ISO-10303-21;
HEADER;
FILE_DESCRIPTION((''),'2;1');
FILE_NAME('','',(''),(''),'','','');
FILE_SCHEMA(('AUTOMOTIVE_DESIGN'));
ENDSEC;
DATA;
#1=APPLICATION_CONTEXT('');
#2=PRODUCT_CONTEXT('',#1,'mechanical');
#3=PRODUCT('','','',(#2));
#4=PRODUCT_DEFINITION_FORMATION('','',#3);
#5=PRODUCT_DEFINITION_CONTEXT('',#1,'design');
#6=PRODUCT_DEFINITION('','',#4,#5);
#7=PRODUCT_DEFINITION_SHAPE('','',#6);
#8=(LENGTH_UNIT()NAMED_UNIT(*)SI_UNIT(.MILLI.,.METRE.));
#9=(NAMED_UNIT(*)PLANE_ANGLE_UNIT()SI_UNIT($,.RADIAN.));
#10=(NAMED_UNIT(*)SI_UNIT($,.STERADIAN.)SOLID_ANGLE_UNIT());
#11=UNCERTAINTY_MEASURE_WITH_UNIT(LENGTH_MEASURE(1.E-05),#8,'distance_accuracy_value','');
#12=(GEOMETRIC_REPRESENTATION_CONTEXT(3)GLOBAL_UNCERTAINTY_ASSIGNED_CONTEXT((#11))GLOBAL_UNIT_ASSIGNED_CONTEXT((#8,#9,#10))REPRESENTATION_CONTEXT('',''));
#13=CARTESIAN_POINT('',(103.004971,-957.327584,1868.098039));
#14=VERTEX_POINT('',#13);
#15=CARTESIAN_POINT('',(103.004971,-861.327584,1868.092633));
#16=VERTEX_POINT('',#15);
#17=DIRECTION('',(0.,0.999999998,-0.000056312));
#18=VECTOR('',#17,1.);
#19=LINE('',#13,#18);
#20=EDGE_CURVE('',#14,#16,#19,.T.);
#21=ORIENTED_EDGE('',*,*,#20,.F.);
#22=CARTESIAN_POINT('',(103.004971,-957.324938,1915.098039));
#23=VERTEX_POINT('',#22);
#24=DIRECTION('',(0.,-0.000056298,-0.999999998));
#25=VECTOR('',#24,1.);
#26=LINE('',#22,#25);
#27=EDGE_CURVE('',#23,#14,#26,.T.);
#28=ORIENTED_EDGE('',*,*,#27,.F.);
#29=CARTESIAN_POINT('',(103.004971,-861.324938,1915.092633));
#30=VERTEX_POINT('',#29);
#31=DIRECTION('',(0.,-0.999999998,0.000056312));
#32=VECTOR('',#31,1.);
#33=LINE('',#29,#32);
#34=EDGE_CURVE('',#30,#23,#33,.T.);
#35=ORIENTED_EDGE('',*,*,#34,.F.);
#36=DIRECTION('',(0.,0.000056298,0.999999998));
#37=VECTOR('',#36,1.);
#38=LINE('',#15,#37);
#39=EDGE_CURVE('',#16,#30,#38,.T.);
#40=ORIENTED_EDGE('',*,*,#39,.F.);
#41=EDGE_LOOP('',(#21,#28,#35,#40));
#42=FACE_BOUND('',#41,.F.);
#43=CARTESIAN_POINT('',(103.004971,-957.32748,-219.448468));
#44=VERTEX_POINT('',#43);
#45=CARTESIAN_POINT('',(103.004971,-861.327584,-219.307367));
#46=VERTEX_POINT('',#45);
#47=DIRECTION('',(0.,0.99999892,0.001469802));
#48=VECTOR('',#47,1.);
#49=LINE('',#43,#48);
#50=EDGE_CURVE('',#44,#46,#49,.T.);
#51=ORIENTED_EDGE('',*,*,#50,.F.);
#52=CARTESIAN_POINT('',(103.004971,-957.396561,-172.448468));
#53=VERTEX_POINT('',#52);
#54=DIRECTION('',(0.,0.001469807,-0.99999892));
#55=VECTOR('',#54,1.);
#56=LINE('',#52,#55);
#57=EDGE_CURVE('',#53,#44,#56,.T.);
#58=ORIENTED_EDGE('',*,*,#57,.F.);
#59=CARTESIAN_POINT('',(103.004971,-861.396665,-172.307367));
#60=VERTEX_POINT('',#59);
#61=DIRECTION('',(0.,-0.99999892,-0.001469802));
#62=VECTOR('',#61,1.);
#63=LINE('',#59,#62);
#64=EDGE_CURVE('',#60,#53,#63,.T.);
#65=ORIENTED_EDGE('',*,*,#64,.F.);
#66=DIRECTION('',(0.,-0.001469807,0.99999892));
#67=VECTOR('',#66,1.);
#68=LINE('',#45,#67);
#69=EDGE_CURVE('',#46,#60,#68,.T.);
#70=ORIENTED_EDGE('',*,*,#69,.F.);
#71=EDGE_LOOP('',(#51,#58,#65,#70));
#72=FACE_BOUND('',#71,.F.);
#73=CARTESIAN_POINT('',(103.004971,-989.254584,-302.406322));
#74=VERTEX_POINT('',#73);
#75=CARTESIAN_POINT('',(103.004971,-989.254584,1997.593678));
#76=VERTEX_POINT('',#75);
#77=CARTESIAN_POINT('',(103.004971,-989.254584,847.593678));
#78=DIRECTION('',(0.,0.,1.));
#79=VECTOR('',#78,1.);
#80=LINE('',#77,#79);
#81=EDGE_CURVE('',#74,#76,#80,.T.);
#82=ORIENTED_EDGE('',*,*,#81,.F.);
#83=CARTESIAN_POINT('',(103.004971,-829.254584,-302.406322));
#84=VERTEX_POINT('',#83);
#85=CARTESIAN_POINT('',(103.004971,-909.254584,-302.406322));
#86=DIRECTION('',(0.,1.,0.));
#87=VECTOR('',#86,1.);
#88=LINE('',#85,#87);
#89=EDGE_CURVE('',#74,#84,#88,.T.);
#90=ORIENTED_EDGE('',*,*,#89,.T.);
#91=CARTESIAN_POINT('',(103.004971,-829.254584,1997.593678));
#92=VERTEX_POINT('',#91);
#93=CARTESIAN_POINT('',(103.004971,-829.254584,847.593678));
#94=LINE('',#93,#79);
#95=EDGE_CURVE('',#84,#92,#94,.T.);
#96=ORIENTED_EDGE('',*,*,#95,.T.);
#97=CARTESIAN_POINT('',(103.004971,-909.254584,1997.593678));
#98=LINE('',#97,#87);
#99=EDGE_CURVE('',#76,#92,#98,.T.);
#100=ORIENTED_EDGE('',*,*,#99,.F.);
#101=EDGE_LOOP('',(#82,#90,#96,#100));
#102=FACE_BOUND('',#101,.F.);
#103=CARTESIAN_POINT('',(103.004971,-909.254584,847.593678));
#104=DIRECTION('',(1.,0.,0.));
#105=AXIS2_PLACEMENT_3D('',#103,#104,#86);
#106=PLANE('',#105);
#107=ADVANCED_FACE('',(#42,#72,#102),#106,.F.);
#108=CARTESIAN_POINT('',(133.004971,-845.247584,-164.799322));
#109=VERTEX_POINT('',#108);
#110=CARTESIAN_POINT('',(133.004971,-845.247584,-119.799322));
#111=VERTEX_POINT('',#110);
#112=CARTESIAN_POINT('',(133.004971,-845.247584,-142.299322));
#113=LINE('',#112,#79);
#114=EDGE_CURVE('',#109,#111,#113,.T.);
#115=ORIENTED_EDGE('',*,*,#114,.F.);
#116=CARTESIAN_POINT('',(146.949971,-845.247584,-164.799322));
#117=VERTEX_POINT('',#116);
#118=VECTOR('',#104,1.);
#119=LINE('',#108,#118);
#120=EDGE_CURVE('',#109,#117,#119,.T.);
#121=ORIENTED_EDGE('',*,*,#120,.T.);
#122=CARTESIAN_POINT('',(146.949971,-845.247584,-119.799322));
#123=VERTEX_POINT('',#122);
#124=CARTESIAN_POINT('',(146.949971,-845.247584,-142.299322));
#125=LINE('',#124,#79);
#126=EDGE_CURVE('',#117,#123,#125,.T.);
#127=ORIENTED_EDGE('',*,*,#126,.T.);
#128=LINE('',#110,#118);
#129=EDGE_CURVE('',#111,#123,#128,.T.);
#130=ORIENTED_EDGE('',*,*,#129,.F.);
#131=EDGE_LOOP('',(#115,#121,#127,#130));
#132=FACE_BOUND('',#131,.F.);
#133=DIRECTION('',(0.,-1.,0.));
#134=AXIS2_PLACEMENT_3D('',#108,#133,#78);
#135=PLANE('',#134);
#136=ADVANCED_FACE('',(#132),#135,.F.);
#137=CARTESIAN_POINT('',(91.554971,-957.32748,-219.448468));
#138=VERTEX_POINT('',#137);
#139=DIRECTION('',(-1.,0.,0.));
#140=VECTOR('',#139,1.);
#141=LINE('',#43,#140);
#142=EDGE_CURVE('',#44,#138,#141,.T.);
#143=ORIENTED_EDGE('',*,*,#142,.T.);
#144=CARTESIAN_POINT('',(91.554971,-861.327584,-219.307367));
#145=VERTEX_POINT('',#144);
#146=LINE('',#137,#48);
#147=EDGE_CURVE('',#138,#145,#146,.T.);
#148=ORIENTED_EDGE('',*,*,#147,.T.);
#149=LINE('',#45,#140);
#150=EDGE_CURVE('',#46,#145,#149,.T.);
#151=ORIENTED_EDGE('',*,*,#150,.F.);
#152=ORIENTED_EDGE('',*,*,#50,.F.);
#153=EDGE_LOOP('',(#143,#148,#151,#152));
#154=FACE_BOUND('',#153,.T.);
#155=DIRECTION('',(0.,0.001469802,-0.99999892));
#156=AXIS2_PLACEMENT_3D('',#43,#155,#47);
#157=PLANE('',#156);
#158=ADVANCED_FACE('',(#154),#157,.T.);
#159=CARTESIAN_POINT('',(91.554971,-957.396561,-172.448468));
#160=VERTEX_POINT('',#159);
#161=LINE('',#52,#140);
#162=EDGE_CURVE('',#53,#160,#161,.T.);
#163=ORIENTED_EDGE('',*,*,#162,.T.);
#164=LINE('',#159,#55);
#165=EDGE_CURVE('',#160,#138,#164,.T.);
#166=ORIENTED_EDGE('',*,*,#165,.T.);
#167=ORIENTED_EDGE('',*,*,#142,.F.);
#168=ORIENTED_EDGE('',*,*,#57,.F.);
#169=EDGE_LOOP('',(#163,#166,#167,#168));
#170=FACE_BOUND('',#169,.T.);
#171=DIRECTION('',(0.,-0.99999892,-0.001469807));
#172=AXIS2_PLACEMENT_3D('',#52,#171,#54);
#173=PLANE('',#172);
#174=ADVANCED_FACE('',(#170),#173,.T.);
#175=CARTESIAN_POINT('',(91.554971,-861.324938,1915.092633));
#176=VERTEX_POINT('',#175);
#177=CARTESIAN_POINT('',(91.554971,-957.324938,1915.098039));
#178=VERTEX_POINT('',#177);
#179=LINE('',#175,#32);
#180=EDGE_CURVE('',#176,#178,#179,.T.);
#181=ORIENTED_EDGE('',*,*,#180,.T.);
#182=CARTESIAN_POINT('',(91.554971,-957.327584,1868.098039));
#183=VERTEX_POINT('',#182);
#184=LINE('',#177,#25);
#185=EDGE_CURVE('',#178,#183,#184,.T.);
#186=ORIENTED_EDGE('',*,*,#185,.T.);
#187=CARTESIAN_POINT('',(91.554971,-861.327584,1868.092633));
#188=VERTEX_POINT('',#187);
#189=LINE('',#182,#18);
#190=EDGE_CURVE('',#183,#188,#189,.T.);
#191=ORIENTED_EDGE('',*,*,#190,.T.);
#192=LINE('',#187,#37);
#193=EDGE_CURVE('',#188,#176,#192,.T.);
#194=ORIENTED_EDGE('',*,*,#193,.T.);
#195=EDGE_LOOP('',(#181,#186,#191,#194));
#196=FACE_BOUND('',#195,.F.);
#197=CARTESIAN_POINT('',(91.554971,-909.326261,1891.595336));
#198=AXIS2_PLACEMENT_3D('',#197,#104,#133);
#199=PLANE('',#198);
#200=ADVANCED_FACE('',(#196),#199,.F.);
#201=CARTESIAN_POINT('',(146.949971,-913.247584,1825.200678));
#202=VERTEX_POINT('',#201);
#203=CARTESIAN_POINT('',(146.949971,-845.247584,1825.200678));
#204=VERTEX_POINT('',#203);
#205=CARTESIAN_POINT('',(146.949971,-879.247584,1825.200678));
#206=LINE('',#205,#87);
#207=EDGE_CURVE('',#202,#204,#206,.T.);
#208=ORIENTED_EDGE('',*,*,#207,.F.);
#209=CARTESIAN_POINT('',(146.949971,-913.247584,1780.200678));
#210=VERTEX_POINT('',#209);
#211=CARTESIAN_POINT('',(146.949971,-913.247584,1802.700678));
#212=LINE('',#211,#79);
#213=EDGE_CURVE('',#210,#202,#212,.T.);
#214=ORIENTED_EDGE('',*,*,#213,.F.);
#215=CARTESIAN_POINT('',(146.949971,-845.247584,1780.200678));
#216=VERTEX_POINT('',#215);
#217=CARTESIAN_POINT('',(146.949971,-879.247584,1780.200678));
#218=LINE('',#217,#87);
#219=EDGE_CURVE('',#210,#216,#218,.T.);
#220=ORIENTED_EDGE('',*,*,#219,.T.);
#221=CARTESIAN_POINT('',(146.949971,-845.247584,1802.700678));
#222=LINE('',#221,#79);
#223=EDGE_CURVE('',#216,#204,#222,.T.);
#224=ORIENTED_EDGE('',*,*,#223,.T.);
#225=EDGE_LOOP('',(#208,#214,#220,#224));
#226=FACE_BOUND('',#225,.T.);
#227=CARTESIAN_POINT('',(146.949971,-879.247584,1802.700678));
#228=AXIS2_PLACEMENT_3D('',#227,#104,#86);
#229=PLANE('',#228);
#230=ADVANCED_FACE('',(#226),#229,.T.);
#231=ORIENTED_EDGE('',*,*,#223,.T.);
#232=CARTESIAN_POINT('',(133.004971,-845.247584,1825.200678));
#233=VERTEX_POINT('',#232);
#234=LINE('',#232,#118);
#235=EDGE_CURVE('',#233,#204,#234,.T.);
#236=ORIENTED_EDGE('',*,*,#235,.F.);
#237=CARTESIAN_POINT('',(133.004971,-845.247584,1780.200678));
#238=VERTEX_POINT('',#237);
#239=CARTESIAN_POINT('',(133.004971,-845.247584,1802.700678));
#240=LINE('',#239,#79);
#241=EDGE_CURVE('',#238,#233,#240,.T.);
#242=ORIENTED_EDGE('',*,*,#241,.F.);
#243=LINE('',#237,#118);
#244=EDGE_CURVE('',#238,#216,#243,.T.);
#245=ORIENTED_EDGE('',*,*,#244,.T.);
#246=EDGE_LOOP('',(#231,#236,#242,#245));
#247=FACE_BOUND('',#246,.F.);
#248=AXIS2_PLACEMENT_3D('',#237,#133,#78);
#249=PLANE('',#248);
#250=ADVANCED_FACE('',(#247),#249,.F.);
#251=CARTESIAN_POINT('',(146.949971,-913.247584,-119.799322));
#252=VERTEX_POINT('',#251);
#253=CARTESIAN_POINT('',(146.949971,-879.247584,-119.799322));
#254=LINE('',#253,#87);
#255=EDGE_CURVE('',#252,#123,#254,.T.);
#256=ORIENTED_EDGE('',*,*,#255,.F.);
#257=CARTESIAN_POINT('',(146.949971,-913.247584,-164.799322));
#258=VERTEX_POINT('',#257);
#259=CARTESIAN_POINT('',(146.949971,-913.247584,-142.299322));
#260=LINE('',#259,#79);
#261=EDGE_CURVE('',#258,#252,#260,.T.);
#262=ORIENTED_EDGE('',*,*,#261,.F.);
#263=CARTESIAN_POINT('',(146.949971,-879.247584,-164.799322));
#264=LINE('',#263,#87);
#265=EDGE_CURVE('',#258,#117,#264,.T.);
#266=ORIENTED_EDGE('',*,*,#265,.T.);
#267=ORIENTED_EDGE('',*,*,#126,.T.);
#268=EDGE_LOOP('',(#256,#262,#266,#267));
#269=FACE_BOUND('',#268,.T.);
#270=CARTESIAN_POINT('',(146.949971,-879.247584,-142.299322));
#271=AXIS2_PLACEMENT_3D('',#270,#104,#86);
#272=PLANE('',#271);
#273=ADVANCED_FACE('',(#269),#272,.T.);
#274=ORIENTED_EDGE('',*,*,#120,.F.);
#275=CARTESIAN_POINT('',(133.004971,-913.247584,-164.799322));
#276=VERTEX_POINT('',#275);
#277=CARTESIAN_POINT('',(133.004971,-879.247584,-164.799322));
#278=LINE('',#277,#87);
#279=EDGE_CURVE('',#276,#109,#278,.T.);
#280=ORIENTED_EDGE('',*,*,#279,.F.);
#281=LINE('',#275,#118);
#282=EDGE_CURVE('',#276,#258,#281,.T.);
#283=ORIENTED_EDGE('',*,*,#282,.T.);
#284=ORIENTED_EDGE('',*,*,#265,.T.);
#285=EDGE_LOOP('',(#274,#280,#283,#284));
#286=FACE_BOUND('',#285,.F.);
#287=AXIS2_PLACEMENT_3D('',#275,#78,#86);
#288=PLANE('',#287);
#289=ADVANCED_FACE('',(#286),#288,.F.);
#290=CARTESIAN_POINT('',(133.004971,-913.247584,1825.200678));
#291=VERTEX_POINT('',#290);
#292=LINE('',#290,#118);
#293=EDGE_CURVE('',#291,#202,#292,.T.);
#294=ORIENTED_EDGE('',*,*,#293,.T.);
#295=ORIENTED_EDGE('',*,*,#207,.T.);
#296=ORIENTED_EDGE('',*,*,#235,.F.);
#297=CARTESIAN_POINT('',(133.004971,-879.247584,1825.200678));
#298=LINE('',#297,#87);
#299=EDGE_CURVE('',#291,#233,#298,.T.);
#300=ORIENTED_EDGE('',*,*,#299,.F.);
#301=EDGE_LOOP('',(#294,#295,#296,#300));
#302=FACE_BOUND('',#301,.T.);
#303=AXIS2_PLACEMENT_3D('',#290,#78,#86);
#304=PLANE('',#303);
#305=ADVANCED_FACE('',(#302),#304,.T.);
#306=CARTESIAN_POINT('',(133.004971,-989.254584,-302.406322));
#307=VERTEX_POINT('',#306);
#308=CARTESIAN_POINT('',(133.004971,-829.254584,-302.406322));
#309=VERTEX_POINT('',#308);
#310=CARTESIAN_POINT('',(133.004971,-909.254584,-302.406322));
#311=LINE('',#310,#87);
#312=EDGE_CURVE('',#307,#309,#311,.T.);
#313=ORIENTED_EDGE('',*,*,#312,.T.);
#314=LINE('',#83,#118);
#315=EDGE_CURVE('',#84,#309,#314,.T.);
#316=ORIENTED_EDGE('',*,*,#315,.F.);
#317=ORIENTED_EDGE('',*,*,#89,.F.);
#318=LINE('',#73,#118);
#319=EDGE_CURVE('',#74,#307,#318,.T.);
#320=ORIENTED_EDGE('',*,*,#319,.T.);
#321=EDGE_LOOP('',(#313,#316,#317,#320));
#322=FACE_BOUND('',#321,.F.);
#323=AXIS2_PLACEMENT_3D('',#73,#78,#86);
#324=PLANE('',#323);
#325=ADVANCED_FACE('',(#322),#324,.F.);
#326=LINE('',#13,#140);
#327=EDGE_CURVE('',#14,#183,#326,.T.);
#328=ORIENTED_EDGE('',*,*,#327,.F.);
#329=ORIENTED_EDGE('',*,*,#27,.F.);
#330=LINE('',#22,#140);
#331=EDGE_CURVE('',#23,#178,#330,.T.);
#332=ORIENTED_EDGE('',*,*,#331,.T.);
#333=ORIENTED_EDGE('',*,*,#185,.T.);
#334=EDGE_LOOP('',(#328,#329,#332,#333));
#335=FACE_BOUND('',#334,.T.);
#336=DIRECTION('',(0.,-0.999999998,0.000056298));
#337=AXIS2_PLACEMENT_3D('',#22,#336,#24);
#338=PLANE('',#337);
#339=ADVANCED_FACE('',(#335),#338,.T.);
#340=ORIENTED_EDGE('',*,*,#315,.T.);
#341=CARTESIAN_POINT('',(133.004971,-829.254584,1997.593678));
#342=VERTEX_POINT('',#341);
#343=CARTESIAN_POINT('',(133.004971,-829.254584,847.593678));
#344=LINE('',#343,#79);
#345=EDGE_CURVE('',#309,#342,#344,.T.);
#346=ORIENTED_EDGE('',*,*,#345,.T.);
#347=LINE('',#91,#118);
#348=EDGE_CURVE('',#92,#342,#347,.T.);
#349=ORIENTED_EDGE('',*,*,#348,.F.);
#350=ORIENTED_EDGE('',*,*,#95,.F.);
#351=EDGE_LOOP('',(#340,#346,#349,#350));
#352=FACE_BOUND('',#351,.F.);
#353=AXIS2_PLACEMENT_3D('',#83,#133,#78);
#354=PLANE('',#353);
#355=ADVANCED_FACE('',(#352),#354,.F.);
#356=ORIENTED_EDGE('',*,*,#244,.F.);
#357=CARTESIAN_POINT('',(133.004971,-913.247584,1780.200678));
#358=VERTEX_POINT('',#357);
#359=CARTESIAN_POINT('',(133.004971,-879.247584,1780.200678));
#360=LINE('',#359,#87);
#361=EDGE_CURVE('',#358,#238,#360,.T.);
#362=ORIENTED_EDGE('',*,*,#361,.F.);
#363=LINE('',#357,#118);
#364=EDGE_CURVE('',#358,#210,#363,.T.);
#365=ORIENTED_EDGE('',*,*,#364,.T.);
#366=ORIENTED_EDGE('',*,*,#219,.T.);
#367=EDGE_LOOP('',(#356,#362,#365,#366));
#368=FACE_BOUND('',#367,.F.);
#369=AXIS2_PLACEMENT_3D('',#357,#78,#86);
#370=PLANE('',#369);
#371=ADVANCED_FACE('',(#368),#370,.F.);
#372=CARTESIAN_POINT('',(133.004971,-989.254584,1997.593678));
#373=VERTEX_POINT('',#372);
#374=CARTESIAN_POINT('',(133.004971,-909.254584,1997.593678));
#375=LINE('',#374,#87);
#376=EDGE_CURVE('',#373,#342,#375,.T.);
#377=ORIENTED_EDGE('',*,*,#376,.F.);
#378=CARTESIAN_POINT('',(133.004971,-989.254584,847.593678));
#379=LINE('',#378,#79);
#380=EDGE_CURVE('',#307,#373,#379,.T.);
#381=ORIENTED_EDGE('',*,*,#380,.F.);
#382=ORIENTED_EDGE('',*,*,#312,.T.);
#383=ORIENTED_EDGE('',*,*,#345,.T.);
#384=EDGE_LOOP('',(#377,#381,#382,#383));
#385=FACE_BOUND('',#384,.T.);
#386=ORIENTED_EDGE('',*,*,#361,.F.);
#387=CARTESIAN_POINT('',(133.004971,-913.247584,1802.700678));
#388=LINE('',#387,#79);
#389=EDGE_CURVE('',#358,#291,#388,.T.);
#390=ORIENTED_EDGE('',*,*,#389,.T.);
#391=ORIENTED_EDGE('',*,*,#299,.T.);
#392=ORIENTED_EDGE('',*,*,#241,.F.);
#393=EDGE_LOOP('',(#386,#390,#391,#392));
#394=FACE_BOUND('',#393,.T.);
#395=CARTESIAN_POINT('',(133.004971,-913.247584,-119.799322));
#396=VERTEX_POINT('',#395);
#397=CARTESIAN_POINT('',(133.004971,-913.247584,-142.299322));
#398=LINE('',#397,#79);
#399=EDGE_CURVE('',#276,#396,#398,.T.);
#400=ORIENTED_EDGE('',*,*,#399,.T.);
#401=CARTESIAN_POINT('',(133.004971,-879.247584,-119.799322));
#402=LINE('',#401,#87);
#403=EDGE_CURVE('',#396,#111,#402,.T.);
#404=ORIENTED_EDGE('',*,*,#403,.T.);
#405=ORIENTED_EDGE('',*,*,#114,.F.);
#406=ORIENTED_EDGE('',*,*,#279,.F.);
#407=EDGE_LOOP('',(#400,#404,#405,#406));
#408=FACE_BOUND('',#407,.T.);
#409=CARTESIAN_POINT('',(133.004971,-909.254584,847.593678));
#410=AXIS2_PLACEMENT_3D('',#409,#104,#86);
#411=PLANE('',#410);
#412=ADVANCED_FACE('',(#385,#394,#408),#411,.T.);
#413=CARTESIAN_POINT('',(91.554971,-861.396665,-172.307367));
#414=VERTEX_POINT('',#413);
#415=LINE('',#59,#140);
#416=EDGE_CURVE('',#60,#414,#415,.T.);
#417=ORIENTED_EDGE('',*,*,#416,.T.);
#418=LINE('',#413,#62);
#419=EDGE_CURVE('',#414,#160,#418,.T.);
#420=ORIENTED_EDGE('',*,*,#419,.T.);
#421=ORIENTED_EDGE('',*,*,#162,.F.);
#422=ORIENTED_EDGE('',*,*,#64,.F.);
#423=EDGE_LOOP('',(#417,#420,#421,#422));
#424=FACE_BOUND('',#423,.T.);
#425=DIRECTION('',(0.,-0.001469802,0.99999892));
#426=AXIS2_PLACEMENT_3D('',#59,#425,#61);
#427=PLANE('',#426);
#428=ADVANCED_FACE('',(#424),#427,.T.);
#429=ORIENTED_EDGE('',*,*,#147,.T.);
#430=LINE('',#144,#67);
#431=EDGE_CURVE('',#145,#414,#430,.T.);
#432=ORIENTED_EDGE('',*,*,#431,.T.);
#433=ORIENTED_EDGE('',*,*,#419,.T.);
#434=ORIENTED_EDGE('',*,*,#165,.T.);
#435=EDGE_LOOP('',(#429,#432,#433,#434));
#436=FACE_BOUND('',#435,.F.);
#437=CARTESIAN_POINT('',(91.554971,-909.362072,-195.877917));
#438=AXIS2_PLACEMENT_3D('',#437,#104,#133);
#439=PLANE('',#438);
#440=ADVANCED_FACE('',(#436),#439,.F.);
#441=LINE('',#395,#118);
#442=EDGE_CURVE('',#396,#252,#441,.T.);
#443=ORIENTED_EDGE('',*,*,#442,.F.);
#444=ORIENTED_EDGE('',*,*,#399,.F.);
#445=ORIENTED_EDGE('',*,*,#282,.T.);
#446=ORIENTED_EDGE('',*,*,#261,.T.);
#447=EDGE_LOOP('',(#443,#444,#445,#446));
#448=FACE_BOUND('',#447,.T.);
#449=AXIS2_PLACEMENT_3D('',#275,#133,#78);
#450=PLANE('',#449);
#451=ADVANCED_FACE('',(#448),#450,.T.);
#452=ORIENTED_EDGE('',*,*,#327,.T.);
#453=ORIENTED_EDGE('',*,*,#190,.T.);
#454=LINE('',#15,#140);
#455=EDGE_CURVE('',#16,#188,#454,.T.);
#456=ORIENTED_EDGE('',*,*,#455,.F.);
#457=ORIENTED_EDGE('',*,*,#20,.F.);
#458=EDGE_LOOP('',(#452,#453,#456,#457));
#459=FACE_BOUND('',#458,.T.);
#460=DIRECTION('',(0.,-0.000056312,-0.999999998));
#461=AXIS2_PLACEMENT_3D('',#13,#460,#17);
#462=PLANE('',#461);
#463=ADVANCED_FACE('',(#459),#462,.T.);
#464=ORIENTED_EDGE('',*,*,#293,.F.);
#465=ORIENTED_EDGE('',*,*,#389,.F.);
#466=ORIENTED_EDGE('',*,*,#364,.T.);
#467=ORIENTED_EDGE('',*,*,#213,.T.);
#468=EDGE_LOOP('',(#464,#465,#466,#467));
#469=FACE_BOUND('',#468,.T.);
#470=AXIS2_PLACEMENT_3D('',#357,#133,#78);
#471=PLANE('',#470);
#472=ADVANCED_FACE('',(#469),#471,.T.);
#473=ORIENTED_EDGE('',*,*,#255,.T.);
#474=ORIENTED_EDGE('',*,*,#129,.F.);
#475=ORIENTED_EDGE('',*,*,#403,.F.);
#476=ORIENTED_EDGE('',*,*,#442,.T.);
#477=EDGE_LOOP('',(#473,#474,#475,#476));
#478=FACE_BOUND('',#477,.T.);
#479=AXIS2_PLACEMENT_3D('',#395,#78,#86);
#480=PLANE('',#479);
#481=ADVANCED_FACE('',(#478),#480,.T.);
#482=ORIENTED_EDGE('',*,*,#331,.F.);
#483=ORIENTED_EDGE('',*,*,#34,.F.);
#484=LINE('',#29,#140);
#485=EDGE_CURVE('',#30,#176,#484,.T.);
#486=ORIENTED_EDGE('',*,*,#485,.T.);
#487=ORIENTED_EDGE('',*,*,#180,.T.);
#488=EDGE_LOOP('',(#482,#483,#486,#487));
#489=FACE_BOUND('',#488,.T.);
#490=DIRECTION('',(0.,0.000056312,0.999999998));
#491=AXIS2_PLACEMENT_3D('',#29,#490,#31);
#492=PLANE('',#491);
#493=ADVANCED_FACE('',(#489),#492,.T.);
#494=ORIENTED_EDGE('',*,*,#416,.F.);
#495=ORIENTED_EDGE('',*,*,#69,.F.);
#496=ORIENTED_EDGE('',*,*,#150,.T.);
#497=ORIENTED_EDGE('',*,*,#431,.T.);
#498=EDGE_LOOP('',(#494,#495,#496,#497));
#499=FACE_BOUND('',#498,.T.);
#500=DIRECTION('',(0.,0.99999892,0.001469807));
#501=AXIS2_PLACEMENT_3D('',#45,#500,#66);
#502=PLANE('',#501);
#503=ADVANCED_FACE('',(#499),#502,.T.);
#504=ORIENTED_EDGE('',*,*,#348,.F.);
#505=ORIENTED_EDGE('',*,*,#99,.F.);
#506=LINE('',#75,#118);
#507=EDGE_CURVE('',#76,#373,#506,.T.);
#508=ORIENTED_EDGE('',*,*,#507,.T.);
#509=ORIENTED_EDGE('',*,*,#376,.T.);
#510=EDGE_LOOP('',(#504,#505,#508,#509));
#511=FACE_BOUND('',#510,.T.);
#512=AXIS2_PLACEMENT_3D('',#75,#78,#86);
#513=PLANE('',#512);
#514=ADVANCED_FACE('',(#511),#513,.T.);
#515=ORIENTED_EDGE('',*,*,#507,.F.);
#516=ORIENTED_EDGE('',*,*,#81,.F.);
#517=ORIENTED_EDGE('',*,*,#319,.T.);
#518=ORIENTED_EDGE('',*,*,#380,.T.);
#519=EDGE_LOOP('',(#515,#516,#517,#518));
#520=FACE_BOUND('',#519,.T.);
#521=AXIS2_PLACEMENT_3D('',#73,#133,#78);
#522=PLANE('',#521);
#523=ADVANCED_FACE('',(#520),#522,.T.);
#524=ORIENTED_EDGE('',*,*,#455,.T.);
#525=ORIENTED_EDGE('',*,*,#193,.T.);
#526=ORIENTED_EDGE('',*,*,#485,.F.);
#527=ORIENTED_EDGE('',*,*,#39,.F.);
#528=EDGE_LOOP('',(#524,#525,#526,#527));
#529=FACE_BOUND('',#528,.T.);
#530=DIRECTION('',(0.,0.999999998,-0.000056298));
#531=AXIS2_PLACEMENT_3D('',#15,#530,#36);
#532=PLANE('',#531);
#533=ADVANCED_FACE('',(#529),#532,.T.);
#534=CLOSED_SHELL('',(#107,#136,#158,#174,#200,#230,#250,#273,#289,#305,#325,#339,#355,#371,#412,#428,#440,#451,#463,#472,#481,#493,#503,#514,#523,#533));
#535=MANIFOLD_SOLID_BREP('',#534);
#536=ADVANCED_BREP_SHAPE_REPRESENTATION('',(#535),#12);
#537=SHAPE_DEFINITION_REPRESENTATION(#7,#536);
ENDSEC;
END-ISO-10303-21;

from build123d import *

# Parameters (mm, degrees)
SKETCH_W     = 160
SKETCH_H     = 2300
PAD_DEPTH    = 30
PAD001_DEPTH = 11.45
SKETCH004_W  = 68
SKETCH004_H  = 45
PAD004_DEPTH = 13.945


with BuildPart() as part:
    # Sketch → Pad (new body)
    with BuildSketch(Plane.YZ):
        with Locations((-911.017, 830.848)):
            Rectangle(SKETCH_W, SKETCH_H)
    extrude(amount=PAD_DEPTH)

    # Sketch001 (on Face5 of Pad) → Pad001 (join)
    with BuildSketch(Plane(origin=(0, 0, 0), x_dir=(0, 1, 0), z_dir=(-1, 0, 0))):
        Polygon((-959.089896, 236.194146), (-863.09, 236.053045), (-863.159081, 189.053045), (-959.158977, 189.194146), align=None)
        Polygon((-959.09, -1851.352361), (-863.09, -1851.346955), (-863.087354, -1898.346955), (-959.087354, -1898.352361), align=None)
    extrude(amount=PAD001_DEPTH)

    # Sketch004 (on Face5 of Pad001) → Pad004 (join)
    with BuildSketch(Plane.YZ.offset(30)):
        with Locations((-881.01, -159.045)):
            Rectangle(SKETCH004_W, SKETCH004_H)
        with Locations((-881.01, 1785.955)):
            Rectangle(SKETCH004_W, SKETCH004_H)
    extrude(amount=PAD004_DEPTH)


with BuildPart() as part_1:
    # Body placement: moved
    add(part.part.moved(Location((103.004971, 1.762416, 16.745678))))


solid = part_1.part
